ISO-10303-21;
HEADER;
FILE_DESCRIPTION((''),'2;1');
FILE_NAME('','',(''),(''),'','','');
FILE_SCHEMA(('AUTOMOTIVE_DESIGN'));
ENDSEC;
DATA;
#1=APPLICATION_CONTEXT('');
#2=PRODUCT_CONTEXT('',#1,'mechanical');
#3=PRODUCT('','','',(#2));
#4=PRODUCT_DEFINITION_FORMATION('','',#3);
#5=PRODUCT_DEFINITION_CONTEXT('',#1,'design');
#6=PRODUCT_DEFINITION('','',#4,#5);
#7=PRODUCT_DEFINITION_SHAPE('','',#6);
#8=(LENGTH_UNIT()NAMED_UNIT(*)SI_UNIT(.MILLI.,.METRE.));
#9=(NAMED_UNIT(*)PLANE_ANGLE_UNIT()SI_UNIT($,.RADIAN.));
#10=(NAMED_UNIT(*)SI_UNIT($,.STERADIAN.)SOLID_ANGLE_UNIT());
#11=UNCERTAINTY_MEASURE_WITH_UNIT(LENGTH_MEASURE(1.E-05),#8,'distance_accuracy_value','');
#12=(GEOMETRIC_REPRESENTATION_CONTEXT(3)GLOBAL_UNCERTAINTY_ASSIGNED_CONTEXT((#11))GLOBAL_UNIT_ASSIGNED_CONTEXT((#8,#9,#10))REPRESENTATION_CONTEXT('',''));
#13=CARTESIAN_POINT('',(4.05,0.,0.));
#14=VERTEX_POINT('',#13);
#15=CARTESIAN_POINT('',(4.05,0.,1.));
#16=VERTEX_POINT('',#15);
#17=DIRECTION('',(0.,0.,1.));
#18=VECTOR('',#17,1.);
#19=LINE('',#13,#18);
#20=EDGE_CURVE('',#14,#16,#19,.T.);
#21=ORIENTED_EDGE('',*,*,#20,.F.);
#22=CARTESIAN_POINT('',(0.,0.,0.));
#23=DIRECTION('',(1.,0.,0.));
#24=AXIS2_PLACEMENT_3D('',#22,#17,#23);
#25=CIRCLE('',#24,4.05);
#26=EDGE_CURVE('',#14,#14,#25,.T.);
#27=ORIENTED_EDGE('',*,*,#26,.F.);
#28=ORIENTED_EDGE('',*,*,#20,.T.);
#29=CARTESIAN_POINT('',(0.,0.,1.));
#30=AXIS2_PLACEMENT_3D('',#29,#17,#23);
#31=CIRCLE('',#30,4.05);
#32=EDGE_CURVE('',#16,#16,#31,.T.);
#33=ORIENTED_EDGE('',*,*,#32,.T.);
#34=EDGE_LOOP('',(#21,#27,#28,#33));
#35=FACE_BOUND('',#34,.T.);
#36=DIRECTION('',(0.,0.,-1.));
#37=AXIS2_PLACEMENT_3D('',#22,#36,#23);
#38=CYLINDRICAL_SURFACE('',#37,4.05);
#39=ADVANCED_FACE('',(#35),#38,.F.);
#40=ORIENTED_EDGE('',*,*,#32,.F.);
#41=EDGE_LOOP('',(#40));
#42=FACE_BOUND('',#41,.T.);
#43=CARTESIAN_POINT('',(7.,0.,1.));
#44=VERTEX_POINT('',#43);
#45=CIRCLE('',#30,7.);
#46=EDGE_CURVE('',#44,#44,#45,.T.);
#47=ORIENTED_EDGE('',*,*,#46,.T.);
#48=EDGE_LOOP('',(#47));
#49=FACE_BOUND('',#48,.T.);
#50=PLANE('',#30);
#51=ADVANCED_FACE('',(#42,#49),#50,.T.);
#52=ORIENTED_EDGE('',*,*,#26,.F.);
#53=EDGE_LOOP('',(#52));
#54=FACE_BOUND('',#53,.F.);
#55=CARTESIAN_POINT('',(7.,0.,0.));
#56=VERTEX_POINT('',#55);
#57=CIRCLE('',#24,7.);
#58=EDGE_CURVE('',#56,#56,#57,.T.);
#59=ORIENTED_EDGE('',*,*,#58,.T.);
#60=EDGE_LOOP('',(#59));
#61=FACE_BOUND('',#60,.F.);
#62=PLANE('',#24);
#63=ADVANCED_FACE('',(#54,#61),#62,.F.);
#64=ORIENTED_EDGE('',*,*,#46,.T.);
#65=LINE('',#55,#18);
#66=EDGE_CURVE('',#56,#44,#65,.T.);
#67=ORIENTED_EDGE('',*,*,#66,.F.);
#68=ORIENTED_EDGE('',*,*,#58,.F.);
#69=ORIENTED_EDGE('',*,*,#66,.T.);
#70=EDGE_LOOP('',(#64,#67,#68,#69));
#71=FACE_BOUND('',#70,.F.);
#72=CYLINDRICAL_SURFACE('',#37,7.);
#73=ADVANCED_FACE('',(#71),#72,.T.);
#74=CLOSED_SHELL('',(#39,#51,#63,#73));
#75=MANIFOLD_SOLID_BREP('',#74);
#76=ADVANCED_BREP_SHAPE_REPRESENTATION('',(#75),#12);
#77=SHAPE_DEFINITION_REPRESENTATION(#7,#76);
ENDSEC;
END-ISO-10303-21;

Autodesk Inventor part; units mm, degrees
ref_plane "YZ Plane" through (0, 0, 0) normal (1, 0, 0) x (0, 1, 0)
ref_plane "XZ Plane" through (0, 0, 0) normal (0, 1, 0) x (-1, 0, 0)
ref_plane "XY Plane" through (0, 0, 0) normal (0, 0, 1) x (1, 0, 0)
sketch "スケッチ1" plane through (0, 0, 0) normal (0, 0, 1) x (1, 0, 0)
  circle A0 centre (0, 0) radius 4.05
  circle A1 centre (0, 0) radius 7
  dimension "d0" = 8.1
  dimension "d1" = 14
extrude "押し出し1" add sketch "スケッチ1" along normal blind 1
properties part number "ワッシャー8.1,14,1t" material "アセタール樹脂、白"
